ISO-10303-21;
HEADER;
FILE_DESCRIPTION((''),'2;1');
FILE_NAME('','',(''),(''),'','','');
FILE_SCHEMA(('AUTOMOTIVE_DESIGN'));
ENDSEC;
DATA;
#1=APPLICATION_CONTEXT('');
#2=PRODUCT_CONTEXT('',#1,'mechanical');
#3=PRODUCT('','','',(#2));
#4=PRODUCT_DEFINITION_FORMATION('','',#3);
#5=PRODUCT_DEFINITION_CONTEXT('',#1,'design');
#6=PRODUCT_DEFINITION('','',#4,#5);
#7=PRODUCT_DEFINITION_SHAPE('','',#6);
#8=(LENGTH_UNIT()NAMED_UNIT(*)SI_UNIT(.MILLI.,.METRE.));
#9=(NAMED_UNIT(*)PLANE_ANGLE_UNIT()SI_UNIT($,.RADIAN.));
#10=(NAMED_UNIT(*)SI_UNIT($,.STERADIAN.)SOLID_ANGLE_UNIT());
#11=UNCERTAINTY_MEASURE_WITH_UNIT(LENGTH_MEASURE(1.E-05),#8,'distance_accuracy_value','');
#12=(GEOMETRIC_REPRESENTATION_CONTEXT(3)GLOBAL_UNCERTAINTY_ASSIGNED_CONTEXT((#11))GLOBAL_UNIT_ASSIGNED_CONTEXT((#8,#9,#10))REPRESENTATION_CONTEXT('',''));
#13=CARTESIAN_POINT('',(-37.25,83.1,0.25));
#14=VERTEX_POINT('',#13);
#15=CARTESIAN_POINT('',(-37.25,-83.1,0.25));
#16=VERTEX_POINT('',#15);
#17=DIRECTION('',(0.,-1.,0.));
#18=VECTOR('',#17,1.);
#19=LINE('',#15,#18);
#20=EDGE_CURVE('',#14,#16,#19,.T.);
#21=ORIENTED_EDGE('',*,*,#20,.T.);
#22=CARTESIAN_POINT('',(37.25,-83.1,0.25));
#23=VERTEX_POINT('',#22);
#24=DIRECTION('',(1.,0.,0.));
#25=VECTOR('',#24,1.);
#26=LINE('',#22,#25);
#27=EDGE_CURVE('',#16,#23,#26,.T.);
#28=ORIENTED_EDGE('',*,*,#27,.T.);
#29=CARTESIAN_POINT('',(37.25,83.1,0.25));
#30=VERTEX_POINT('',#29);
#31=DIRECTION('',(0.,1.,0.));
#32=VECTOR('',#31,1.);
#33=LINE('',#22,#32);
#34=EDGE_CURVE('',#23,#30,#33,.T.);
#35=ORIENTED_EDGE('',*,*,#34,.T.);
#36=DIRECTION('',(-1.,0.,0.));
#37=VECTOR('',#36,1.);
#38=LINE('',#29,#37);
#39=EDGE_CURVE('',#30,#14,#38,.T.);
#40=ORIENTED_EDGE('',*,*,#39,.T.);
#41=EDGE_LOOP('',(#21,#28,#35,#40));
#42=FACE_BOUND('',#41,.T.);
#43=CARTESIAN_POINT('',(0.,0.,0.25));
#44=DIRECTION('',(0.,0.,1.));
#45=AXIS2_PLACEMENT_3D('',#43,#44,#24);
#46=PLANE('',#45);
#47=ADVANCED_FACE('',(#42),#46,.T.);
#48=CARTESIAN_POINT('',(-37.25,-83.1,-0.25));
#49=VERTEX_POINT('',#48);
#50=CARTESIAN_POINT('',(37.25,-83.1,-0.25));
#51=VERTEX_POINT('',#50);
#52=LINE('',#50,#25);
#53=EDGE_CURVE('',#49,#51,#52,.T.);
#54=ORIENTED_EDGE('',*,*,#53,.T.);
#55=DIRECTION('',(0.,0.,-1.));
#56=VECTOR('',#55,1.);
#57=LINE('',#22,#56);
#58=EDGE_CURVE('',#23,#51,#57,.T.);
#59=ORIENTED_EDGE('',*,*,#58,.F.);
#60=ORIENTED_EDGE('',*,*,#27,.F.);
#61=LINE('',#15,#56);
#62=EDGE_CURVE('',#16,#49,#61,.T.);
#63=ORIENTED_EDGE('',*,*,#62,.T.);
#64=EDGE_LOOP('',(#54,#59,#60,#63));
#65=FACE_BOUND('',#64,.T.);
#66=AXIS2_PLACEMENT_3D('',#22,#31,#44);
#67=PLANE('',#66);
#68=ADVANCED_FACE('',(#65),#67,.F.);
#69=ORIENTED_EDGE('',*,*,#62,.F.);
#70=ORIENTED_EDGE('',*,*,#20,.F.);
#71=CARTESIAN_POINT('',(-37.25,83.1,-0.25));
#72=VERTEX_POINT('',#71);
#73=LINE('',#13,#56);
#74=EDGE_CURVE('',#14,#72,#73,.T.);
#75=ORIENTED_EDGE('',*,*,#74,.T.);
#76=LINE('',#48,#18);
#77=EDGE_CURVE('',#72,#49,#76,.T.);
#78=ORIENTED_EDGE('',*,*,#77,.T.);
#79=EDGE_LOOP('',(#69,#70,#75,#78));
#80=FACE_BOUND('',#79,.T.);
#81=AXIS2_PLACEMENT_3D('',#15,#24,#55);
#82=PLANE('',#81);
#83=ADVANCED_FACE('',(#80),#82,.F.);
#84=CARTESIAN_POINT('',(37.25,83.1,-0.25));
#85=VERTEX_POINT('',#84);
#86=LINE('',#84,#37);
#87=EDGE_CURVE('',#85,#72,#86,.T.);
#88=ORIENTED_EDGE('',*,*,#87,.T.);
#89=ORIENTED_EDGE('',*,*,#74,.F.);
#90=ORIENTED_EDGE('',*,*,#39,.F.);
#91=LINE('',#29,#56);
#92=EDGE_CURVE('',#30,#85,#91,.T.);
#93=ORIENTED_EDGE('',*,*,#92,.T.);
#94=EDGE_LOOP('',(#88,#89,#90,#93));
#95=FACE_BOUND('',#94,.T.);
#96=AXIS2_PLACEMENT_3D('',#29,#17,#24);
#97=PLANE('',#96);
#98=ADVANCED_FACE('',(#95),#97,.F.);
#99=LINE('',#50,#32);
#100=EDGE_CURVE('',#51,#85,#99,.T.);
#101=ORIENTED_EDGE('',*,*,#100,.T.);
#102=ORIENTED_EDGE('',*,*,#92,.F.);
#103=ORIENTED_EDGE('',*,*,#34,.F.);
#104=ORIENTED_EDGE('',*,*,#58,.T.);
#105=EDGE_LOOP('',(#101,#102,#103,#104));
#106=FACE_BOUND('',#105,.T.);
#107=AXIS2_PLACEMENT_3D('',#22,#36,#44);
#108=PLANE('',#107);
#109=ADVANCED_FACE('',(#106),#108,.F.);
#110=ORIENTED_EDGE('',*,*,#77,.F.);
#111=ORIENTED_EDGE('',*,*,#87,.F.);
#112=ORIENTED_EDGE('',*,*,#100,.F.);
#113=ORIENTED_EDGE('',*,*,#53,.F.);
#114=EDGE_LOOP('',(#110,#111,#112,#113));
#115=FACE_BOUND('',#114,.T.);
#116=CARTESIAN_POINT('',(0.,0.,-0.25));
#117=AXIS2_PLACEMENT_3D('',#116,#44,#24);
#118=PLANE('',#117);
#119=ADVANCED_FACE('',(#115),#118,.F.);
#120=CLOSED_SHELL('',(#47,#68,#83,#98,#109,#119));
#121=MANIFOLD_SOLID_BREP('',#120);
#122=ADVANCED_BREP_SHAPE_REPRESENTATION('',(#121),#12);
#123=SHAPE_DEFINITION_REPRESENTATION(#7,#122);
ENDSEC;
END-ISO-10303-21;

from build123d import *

# Parameters (mm, degrees)
SKETCH_1_W      = 74.5
SKETCH_1_H      = 166.2
EXTRUDE_1_DEPTH = 0.25


with BuildPart() as part:
    # 草图1 → 凸台-拉伸1 (new, symmetric)
    with BuildSketch(Plane.XY):
        Rectangle(SKETCH_1_W, SKETCH_1_H)
    extrude(amount=EXTRUDE_1_DEPTH, both=True)


solid = part.part
